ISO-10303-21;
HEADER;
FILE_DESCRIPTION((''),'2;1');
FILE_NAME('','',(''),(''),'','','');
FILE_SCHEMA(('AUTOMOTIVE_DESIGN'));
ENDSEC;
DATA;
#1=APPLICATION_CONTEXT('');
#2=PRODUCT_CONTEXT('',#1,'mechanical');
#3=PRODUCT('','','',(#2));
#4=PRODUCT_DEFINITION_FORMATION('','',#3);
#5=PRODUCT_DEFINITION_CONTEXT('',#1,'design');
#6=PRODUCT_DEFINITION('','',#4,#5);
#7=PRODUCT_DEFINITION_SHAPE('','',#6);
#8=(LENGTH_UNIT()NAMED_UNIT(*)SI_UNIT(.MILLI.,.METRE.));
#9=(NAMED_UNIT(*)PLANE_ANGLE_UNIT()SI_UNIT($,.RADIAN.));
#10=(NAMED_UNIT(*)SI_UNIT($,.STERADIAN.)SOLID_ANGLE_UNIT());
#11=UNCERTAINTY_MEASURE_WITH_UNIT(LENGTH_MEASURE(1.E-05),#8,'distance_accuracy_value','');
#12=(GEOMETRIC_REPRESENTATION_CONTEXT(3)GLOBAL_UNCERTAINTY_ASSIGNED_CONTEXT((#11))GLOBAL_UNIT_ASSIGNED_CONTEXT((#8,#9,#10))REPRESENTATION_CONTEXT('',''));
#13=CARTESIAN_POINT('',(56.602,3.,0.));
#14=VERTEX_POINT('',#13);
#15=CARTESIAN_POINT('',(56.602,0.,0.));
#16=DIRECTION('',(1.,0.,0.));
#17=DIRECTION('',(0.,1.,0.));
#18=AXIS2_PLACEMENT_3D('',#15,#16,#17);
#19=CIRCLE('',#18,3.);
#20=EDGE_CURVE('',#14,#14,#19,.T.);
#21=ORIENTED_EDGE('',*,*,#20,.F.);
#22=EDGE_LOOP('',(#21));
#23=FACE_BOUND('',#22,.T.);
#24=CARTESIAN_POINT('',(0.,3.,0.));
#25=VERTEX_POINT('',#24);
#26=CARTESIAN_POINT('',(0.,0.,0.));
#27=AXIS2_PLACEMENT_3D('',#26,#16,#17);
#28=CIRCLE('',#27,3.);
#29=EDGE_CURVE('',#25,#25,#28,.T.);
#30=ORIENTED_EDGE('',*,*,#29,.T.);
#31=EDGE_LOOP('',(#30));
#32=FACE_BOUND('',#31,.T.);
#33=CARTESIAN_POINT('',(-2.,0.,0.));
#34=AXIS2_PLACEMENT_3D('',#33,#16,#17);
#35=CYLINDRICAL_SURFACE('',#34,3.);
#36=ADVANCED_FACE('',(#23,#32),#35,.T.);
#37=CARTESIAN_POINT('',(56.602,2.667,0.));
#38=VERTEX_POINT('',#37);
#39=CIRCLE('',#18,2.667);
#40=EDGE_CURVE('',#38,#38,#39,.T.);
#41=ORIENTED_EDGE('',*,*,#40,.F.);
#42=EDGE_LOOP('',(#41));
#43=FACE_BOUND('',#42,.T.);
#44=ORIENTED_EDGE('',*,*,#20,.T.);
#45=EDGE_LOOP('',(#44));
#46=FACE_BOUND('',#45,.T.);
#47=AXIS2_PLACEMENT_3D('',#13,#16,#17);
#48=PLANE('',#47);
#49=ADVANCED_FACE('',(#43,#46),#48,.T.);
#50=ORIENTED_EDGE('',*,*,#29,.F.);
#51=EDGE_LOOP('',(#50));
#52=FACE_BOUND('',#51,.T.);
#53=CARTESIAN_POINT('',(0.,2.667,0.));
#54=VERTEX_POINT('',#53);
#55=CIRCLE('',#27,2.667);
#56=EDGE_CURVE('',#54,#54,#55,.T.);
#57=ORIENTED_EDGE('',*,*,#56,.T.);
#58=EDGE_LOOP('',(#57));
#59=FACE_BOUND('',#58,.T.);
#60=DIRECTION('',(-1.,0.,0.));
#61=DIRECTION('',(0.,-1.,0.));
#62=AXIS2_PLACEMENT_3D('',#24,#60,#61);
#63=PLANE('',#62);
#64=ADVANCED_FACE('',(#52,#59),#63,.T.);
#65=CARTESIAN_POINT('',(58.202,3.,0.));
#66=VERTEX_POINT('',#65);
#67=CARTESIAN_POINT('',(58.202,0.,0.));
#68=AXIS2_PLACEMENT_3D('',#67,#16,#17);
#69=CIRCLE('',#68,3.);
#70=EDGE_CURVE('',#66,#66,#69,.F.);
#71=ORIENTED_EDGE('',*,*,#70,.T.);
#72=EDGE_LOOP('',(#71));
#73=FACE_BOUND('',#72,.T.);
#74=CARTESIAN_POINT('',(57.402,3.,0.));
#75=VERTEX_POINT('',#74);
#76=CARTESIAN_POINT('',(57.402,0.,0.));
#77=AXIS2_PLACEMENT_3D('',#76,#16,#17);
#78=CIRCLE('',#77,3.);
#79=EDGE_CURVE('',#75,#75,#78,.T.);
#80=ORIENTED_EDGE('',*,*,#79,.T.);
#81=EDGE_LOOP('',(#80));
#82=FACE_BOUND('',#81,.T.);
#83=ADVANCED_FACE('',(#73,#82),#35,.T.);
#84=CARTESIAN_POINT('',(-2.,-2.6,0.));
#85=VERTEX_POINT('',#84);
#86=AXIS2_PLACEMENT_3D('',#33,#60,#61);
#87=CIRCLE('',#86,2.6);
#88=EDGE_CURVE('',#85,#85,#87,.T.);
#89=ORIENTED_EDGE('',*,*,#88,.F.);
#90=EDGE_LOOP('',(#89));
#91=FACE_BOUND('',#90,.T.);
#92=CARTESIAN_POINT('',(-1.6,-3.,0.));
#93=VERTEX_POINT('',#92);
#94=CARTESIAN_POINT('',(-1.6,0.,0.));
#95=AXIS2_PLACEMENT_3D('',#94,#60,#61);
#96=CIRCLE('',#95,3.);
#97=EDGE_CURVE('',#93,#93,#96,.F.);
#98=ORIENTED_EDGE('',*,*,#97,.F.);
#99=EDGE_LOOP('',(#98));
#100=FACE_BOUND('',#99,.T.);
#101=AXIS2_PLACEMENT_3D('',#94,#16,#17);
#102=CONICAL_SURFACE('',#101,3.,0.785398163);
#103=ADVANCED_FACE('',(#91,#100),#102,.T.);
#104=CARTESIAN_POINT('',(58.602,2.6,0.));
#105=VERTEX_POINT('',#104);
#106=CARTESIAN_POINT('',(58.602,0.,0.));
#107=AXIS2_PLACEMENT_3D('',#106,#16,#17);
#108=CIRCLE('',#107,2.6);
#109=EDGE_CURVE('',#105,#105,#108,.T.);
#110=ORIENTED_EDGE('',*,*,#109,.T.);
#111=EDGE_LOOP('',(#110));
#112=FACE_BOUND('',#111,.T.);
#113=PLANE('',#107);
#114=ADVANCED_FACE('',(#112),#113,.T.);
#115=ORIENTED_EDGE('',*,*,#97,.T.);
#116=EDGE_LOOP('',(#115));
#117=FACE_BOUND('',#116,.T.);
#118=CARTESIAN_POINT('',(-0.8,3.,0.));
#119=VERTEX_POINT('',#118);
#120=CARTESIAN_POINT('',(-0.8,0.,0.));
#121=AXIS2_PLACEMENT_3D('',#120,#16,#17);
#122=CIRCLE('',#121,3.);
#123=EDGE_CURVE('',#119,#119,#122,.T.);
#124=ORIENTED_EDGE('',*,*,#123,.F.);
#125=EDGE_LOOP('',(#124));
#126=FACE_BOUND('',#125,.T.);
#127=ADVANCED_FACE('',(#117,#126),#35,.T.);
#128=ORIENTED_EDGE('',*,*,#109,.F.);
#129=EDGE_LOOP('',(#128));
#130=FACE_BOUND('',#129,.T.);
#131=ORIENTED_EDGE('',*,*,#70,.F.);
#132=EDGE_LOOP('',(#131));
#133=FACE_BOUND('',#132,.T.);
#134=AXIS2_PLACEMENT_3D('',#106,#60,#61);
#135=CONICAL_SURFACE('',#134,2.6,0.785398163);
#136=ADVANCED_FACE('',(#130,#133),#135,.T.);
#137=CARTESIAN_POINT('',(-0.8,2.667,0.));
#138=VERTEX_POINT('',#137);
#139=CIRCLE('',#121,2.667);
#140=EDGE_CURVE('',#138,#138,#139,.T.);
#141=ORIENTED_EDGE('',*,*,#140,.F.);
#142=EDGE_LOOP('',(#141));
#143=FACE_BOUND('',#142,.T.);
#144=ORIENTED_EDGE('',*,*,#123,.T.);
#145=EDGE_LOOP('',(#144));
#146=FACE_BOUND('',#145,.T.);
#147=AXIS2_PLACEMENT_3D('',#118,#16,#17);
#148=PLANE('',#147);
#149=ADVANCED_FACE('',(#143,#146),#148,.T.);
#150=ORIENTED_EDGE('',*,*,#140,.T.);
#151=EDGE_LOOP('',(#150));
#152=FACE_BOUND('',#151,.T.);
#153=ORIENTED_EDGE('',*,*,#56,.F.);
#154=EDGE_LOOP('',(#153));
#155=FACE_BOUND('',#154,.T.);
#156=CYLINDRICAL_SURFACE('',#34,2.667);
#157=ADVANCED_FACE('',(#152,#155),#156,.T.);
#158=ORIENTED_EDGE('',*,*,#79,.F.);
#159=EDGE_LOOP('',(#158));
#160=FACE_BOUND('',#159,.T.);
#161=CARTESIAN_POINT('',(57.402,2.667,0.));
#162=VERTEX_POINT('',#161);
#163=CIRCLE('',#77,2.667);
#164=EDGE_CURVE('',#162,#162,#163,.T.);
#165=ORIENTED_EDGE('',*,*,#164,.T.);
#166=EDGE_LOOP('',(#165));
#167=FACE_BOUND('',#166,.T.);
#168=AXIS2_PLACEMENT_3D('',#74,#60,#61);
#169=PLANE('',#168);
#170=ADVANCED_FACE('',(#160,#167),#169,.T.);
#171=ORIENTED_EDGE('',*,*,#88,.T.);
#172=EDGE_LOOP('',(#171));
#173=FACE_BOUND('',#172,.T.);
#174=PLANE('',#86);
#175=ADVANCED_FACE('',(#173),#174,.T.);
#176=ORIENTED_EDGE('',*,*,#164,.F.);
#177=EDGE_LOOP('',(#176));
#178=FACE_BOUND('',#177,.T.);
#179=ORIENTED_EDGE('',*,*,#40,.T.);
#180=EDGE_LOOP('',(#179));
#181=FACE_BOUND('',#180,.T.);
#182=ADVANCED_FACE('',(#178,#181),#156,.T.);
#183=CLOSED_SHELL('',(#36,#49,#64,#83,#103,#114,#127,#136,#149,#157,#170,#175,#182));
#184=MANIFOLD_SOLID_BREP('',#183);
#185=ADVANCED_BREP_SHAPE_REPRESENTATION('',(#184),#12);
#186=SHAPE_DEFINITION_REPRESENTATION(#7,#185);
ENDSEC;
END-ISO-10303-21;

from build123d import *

# Parameters (mm, degrees)
CHAMFER1_SIZE = 0.4


with BuildPart() as part:
    # Sketch1 → Revolve1 (revolve)
    with BuildSketch(Plane.XY):
        Polygon((-2, 0), (58.602, 0), (58.602, 3), (57.402, 3), (57.402, 2.667), (56.602, 2.667), (56.602, 3), (0, 3), (0, 2.667), (-0.8, 2.667), (-0.8, 3), (-2, 3), align=None)
    revolve(axis=Axis((-2, 0, 0), (-1, 0, 0)))

    # Chamfer1
    chamfer1_edges = [part.edges().sort_by_distance(p)[0] for p in [
        (-2, -3, 0),
        (58.602, -3, 0),
    ]]
    chamfer(chamfer1_edges, length=CHAMFER1_SIZE)


solid = part.part
